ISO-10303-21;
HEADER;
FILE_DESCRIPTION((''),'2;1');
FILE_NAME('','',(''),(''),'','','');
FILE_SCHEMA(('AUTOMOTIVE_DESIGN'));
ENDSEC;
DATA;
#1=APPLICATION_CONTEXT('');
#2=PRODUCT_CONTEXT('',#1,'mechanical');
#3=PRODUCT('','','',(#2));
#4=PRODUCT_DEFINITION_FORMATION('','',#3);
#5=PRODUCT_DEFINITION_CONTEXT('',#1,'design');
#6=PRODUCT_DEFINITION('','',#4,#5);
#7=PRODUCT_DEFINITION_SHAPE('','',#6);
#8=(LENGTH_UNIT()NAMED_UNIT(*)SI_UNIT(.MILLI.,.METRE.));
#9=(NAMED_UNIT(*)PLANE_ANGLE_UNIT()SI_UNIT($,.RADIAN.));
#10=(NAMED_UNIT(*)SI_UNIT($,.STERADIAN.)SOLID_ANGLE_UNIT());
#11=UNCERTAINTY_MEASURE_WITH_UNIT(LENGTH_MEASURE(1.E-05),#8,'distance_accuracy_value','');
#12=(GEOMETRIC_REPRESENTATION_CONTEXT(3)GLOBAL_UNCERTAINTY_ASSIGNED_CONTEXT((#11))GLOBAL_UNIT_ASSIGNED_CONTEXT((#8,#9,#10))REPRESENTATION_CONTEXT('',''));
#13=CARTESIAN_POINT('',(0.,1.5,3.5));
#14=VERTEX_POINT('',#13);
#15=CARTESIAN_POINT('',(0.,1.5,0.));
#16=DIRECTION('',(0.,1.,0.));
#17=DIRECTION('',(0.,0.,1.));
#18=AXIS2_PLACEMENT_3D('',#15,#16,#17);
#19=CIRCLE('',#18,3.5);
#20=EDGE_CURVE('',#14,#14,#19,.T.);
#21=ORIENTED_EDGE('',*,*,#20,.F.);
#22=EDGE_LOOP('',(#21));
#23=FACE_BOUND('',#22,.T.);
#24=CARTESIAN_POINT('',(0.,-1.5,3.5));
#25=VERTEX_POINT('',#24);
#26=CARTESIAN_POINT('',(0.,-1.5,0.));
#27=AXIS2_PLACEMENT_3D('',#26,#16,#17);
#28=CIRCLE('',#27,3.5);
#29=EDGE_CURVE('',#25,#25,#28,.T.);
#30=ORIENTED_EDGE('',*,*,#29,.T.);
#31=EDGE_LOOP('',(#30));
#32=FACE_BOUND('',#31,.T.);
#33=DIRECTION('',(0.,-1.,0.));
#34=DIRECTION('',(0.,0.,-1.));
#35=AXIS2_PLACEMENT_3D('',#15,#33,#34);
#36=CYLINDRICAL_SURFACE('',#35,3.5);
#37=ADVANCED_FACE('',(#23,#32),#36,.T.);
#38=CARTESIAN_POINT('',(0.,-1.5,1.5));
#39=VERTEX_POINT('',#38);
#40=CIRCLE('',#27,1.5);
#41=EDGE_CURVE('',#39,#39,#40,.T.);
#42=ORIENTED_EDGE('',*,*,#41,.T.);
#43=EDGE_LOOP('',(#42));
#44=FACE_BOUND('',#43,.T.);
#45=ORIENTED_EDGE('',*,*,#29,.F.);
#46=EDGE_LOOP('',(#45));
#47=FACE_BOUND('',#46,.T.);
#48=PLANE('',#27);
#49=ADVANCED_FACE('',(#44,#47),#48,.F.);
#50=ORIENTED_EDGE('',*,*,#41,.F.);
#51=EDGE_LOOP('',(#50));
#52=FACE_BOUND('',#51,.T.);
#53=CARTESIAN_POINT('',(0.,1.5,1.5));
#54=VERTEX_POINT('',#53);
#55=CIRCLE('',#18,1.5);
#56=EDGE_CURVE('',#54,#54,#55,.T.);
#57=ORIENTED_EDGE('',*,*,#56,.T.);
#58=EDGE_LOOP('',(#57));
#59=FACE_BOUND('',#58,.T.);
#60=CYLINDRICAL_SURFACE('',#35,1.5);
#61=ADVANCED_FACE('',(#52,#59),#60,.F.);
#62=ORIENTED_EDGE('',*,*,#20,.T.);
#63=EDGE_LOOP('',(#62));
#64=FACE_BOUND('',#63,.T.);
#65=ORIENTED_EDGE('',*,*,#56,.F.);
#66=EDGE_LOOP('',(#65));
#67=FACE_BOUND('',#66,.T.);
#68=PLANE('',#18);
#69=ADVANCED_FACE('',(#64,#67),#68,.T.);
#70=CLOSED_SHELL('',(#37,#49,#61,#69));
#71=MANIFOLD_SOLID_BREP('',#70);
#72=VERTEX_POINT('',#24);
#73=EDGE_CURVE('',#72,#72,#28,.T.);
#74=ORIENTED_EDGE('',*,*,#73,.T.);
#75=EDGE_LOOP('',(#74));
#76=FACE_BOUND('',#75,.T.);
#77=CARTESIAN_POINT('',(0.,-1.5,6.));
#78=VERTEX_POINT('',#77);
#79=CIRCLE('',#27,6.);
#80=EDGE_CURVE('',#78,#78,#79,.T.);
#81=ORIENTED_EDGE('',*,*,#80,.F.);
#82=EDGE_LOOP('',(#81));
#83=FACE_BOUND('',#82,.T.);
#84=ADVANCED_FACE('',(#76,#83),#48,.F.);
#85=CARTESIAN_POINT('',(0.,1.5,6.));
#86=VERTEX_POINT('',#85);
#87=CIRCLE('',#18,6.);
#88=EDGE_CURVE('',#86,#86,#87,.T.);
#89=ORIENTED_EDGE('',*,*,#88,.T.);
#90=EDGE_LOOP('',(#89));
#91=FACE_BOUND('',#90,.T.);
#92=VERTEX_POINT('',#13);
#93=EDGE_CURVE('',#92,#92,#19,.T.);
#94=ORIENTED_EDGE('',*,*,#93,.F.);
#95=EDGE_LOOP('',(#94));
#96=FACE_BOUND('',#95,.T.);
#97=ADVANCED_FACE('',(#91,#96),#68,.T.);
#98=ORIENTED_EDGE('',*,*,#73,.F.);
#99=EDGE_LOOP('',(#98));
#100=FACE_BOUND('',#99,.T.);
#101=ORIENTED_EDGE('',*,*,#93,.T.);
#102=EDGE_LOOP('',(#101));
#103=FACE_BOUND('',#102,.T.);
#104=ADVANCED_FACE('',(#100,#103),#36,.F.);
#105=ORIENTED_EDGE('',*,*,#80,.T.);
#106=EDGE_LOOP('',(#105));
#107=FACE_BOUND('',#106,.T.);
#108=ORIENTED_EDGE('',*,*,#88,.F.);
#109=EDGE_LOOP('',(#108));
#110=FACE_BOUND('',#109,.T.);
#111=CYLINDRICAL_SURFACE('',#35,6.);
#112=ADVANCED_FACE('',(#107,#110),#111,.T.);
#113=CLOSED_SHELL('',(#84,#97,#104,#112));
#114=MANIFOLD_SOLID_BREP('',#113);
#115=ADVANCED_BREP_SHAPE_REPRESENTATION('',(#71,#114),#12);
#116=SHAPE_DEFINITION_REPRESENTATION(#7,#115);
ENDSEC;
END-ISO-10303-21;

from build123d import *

# Parameters (mm, degrees)
SKETCH_1_R      = 3.5
SKETCH_1_R_2    = 1.5
EXTRUDE_1_DEPTH = 1.5
SKETCH_2_R      = 6
SKETCH_2_R_2    = 3.5
EXTRUDE_2_DEPTH = 1.5


with BuildPart() as part:
    # 草图1 → 凸台-拉伸1 (new, symmetric)
    with BuildSketch(Plane(origin=(0, 0, 0), x_dir=(1, 0, 0), z_dir=(0, 1, 0))):
        with Locations(Location((0, 0, 0), (0, 0, 270))):
            Circle(SKETCH_1_R)
        with Locations(Location((0, 0, 0), (0, 0, 270))):
            Circle(SKETCH_1_R_2, mode=Mode.SUBTRACT)
    extrude(amount=EXTRUDE_1_DEPTH, both=True)


with BuildPart() as body_2:
    # 草图2 → 凸台-拉伸2 (new, symmetric)
    with BuildSketch(Plane(origin=(0, 0, 0), x_dir=(1, 0, 0), z_dir=(0, 1, 0))):
        with Locations(Location((0, 0, 0), (0, 0, 270))):
            Circle(SKETCH_2_R)
        with Locations(Location((0, 0, 0), (0, 0, 270))):
            Circle(SKETCH_2_R_2, mode=Mode.SUBTRACT)
    extrude(amount=EXTRUDE_2_DEPTH, both=True)


solid = Compound([part.part, body_2.part])
